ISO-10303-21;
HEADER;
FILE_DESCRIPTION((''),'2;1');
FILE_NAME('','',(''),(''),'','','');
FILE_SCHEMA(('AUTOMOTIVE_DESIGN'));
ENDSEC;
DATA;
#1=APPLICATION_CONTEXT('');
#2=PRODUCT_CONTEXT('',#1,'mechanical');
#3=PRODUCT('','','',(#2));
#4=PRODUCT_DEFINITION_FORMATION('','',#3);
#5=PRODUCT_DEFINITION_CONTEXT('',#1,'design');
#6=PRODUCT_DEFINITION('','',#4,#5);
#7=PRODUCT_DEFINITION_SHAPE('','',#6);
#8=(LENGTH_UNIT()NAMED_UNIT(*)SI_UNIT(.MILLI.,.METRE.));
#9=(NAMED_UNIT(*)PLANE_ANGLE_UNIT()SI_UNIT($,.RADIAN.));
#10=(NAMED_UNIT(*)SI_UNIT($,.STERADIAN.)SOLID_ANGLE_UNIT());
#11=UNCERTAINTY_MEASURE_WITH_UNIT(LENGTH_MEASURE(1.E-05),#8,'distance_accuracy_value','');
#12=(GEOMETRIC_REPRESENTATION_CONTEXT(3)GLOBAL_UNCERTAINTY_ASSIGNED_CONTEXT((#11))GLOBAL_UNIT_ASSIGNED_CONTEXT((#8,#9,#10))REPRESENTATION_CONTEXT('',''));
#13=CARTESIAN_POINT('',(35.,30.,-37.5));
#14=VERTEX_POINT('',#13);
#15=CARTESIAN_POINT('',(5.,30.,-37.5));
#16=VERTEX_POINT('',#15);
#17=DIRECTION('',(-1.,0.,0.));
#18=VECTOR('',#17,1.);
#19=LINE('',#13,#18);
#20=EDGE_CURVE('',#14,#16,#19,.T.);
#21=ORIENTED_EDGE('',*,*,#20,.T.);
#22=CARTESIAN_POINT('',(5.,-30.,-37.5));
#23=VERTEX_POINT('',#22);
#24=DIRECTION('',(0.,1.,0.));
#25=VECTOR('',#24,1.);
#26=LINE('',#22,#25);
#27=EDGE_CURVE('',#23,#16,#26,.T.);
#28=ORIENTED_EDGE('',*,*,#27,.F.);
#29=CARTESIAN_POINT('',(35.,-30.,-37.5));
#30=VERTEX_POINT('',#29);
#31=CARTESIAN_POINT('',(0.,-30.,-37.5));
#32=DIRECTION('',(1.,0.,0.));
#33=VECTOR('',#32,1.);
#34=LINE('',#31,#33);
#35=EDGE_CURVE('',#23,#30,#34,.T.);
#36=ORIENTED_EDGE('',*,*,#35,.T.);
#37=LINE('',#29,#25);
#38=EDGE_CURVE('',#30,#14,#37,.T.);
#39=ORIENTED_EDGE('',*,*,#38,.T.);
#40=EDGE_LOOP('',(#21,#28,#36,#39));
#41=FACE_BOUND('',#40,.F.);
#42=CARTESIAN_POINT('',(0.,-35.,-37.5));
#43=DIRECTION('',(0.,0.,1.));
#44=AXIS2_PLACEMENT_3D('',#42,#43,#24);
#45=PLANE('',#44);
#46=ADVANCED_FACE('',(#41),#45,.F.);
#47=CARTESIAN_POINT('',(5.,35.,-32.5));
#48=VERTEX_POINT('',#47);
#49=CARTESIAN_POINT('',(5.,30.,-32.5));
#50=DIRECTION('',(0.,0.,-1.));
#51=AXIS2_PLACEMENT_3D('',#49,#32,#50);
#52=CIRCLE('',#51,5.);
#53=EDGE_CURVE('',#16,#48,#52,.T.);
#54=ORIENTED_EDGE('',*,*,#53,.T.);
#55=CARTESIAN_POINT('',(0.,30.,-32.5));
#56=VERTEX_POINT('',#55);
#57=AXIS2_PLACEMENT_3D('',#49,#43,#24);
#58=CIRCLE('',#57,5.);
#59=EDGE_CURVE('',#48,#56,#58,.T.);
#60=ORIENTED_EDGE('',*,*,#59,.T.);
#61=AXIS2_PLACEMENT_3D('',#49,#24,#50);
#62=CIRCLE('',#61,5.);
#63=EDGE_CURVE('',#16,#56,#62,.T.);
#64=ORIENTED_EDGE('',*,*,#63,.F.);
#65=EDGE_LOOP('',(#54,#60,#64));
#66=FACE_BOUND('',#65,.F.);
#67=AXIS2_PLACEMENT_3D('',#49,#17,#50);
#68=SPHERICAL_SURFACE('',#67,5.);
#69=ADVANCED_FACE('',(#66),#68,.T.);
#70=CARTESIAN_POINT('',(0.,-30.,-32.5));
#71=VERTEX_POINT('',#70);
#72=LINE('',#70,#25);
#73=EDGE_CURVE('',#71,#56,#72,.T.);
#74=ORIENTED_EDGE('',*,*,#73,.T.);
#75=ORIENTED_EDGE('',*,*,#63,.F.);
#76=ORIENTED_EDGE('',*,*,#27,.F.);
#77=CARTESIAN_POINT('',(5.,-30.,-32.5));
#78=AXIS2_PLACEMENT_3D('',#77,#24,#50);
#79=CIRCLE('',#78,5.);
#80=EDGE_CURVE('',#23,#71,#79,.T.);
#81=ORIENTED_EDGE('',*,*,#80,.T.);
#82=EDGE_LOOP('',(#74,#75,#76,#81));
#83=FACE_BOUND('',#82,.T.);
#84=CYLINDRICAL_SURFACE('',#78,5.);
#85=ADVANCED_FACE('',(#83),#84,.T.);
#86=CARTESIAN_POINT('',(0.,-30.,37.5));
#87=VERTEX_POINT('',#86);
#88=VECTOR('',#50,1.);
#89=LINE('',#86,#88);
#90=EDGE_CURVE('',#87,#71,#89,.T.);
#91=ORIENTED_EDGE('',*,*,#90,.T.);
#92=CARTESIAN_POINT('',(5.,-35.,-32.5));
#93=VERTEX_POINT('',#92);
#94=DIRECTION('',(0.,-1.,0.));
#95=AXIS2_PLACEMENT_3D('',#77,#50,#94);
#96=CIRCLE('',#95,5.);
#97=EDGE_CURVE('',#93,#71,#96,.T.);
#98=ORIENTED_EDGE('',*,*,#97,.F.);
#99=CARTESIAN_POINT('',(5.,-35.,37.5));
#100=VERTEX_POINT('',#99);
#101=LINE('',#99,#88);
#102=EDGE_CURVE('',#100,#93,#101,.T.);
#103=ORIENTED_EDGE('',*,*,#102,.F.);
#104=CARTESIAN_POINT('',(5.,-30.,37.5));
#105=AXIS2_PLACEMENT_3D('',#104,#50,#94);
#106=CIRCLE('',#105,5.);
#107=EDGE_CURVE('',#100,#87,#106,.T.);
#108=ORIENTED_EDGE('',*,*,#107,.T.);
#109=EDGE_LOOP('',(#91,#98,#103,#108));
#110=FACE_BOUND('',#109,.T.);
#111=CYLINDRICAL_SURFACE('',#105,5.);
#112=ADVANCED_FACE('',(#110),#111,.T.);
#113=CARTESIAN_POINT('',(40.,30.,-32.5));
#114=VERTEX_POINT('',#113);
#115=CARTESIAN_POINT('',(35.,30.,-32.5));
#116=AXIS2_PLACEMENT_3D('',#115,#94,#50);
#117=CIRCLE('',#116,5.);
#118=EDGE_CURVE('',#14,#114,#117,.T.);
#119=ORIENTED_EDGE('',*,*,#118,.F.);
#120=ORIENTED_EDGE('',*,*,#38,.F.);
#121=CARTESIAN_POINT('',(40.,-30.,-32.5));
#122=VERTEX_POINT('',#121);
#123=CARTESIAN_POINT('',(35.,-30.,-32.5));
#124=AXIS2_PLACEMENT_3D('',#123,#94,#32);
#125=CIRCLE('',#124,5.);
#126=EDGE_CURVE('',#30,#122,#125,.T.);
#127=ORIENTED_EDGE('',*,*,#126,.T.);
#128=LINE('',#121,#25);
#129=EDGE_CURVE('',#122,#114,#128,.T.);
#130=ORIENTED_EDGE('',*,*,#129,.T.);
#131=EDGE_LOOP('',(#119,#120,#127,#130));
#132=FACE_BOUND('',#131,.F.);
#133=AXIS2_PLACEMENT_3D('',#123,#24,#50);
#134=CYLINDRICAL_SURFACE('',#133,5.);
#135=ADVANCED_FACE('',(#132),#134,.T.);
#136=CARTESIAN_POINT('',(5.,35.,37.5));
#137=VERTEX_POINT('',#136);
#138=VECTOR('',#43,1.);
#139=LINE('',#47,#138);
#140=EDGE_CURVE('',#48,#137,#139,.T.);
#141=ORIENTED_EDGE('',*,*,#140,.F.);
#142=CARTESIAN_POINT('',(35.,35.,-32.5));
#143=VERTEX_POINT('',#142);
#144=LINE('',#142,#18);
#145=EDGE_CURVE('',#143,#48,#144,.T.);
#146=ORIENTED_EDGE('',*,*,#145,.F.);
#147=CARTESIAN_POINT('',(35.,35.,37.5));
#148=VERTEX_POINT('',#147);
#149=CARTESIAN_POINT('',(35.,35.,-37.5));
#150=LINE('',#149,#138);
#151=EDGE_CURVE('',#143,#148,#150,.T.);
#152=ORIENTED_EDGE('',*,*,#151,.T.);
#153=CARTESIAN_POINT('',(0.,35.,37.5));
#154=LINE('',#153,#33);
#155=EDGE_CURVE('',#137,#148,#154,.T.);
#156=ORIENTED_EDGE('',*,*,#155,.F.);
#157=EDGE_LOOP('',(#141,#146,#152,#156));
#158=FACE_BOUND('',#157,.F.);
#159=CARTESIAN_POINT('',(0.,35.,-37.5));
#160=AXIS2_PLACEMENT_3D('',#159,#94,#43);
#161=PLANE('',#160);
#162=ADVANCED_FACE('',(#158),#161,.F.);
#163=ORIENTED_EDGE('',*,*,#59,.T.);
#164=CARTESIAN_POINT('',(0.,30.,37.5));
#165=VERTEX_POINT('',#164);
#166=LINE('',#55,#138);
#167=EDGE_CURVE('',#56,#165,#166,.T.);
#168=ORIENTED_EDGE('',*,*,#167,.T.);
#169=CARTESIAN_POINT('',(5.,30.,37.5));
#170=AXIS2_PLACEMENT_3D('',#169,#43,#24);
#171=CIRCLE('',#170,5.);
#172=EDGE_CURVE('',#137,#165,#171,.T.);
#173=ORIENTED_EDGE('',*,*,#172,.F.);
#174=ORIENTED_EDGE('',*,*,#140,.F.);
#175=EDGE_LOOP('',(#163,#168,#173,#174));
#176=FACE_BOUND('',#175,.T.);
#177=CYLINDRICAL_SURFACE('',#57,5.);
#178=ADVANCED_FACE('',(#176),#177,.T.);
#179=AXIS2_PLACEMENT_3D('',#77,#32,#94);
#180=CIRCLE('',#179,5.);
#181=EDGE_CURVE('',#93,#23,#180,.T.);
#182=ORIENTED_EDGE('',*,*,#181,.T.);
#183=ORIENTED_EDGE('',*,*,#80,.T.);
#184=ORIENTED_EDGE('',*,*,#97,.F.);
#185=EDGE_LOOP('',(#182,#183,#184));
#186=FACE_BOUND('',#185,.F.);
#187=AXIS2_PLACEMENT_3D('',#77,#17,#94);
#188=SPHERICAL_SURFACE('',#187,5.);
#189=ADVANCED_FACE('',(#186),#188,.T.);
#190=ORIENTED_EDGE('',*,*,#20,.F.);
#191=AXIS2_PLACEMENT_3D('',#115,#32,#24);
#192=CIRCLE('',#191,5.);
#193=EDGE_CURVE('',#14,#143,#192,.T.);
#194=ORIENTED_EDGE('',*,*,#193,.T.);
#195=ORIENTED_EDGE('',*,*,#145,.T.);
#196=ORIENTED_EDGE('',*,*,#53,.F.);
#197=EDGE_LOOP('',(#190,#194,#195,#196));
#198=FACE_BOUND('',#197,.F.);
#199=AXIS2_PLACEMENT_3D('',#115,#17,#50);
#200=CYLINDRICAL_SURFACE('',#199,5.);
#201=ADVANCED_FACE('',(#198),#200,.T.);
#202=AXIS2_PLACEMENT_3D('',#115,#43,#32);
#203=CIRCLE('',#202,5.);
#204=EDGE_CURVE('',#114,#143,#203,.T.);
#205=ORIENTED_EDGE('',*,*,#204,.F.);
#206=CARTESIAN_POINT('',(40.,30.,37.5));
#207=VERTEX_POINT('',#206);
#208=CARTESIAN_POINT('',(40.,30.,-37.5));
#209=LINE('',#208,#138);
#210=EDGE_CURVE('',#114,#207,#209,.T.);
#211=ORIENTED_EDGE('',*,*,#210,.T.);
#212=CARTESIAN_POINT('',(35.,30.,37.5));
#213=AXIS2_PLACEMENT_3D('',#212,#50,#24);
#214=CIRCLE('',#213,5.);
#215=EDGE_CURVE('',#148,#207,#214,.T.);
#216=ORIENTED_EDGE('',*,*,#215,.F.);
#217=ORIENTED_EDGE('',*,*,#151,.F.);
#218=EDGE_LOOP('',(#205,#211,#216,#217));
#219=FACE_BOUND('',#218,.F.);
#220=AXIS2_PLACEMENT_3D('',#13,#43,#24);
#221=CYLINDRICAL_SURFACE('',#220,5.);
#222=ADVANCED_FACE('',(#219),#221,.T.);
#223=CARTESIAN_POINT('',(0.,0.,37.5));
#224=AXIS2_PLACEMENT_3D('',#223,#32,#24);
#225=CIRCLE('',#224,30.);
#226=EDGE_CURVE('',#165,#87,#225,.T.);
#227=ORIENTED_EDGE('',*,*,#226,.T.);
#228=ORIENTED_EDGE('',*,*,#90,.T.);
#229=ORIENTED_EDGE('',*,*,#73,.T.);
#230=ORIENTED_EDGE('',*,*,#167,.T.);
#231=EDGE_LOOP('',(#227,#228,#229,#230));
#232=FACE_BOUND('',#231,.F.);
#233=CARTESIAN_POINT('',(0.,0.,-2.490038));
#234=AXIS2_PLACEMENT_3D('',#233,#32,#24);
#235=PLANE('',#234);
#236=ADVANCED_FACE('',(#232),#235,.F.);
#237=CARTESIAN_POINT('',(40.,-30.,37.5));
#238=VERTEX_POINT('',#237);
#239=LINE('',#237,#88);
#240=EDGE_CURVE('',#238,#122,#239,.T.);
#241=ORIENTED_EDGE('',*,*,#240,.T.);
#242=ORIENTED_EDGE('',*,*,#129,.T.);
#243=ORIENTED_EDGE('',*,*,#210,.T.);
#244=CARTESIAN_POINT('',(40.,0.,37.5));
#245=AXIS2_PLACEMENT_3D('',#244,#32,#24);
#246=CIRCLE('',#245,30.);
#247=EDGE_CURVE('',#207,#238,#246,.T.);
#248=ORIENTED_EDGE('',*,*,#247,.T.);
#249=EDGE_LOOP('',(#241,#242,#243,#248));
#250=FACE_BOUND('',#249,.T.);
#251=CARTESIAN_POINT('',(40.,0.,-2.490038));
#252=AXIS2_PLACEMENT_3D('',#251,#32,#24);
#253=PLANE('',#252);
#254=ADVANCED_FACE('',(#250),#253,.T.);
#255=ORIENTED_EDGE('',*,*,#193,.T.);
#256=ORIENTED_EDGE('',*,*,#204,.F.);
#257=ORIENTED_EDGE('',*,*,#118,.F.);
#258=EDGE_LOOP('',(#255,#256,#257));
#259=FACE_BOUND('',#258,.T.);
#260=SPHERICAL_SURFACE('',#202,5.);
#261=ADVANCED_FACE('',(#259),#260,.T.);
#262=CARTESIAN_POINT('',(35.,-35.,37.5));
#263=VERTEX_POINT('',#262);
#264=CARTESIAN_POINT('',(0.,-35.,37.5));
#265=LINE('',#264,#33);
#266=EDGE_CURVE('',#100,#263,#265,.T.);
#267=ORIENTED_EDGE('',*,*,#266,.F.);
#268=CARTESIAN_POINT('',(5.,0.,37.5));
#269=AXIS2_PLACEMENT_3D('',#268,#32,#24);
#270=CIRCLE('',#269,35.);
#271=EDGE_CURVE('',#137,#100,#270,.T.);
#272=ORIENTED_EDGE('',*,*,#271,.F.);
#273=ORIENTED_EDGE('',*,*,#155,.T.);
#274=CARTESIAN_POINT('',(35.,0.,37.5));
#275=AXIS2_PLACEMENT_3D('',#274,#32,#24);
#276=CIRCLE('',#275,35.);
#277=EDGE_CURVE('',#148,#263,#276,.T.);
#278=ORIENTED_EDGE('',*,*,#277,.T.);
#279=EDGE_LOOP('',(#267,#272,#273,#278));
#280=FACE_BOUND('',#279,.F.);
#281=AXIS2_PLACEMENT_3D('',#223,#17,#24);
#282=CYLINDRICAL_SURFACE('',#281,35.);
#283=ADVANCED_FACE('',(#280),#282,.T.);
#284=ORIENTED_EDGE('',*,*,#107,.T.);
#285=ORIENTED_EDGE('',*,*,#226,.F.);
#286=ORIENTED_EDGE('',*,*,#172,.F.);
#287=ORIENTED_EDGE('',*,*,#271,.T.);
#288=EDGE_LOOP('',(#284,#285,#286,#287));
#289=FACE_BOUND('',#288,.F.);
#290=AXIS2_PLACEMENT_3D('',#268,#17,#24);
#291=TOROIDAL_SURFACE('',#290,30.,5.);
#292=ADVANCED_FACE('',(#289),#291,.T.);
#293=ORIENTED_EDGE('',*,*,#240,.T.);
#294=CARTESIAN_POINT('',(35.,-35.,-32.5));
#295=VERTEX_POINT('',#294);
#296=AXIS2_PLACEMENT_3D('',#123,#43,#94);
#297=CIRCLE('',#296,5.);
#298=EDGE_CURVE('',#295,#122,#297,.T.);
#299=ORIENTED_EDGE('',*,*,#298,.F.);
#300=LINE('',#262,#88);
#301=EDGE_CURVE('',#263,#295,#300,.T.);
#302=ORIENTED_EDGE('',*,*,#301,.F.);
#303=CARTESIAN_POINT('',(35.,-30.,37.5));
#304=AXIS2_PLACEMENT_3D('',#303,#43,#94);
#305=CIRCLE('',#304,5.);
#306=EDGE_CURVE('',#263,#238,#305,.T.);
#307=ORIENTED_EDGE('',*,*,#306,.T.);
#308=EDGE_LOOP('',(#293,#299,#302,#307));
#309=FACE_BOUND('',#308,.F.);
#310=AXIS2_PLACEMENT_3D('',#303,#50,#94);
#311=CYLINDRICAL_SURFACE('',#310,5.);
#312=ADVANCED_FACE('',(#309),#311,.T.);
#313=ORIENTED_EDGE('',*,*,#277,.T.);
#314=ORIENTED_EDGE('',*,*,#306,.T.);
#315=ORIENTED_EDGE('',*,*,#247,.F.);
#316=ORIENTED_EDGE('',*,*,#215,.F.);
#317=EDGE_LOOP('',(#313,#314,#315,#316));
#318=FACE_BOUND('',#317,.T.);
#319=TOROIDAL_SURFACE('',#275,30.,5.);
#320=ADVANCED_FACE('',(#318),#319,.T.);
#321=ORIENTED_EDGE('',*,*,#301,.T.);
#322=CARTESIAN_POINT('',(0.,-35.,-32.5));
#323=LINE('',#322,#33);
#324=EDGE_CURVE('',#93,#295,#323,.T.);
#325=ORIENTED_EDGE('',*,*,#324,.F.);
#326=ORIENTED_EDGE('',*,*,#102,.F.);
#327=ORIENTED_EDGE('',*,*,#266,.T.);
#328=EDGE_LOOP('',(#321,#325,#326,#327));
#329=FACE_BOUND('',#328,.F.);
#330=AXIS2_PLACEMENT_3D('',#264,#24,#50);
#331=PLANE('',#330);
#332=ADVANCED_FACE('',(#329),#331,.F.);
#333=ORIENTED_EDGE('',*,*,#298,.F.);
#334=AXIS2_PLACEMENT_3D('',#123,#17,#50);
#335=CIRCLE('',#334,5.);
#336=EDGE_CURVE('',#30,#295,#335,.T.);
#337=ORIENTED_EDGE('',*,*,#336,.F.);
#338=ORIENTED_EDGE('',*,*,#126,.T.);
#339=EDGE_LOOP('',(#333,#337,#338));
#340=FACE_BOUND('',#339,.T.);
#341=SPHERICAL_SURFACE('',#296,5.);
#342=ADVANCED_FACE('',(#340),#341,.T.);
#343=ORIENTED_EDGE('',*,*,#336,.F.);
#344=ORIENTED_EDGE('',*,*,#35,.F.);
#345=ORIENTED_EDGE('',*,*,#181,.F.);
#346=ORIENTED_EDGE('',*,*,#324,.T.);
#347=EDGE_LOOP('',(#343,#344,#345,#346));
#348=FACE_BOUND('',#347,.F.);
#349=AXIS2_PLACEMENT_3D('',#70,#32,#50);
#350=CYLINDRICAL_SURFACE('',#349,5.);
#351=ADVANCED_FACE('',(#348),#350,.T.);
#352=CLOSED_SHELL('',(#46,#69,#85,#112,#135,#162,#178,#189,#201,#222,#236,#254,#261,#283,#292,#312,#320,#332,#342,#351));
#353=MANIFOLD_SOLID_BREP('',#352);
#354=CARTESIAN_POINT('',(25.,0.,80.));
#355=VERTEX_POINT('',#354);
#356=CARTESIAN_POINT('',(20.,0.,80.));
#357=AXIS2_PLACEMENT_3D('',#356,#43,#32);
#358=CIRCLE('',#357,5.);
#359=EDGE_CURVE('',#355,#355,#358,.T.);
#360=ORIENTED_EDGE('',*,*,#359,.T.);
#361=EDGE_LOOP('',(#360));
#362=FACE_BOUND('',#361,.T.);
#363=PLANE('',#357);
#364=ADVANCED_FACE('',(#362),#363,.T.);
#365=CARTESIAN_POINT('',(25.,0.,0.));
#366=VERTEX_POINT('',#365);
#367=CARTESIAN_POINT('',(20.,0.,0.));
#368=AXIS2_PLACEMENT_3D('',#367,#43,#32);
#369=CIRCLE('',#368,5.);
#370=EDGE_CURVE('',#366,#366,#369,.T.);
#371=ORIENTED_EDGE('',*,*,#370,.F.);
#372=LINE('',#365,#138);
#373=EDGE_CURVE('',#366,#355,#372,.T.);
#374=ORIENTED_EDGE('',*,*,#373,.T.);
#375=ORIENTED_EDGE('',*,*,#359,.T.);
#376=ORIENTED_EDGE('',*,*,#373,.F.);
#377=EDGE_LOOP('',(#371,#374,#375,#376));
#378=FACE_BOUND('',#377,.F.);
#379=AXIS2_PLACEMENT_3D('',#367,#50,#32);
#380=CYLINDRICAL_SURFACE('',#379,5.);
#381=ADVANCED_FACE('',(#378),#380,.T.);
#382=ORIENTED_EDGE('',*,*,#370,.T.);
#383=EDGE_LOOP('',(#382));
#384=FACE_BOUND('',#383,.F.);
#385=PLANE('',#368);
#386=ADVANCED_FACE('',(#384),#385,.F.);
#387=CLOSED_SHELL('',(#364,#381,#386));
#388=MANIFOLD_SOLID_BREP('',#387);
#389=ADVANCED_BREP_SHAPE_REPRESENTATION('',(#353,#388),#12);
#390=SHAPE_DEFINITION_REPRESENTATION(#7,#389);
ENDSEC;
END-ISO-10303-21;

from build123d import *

# Parameters (mm, degrees)
F1_DEPTH = 40
F2_R     = 5
F3_R     = 5
F4_R     = 5
F5_R     = 5
F6_DEPTH = 80


with BuildPart() as f1:
    # F0 (on Right) → F1 (new body)
    with BuildSketch(Plane.YZ):
        with BuildLine():
            Line((-35, -37.5), (35, -37.5))
            Line((35, -37.5), (35, 37.5))
            ThreePointArc((35, 37.5), (0, 2.5), (-35, 37.5))
            Line((-35, 37.5), (-35, -37.5))
        make_face()
        with BuildLine():
            ThreePointArc((-35, 37.5), (0, 2.5), (35, 37.5))
            Line((35, 37.5), (-35, 37.5))
        make_face()
        with BuildLine():
            Line((-35, 37.5), (35, 37.5))
            ThreePointArc((35, 37.5), (0, 72.5), (-35, 37.5))
        make_face()
    extrude(amount=F1_DEPTH)

    # F2
    f2_edges = [f1.edges().sort_by_distance(p)[0] for p in [
        (40, -35, 0),
    ]]
    fillet(f2_edges, radius=F2_R)

    # F3
    f3_edges = [f1.edges().sort_by_distance(p)[0] for p in [
        (17.5, -35, -37.5),
    ]]
    fillet(f3_edges, radius=F3_R)

    # F4
    f4_edges = [f1.edges().sort_by_distance(p)[0] for p in [
        (0, 0, -37.5),
    ]]
    fillet(f4_edges, radius=F4_R)


with BuildPart() as f6:
    # F5 (on Top) → F6 (new body)
    with BuildSketch(Plane.XY):
        with Locations((20, 0)):
            Circle(F5_R)
    extrude(amount=F6_DEPTH)


solid = Compound([f1.part, f6.part])
